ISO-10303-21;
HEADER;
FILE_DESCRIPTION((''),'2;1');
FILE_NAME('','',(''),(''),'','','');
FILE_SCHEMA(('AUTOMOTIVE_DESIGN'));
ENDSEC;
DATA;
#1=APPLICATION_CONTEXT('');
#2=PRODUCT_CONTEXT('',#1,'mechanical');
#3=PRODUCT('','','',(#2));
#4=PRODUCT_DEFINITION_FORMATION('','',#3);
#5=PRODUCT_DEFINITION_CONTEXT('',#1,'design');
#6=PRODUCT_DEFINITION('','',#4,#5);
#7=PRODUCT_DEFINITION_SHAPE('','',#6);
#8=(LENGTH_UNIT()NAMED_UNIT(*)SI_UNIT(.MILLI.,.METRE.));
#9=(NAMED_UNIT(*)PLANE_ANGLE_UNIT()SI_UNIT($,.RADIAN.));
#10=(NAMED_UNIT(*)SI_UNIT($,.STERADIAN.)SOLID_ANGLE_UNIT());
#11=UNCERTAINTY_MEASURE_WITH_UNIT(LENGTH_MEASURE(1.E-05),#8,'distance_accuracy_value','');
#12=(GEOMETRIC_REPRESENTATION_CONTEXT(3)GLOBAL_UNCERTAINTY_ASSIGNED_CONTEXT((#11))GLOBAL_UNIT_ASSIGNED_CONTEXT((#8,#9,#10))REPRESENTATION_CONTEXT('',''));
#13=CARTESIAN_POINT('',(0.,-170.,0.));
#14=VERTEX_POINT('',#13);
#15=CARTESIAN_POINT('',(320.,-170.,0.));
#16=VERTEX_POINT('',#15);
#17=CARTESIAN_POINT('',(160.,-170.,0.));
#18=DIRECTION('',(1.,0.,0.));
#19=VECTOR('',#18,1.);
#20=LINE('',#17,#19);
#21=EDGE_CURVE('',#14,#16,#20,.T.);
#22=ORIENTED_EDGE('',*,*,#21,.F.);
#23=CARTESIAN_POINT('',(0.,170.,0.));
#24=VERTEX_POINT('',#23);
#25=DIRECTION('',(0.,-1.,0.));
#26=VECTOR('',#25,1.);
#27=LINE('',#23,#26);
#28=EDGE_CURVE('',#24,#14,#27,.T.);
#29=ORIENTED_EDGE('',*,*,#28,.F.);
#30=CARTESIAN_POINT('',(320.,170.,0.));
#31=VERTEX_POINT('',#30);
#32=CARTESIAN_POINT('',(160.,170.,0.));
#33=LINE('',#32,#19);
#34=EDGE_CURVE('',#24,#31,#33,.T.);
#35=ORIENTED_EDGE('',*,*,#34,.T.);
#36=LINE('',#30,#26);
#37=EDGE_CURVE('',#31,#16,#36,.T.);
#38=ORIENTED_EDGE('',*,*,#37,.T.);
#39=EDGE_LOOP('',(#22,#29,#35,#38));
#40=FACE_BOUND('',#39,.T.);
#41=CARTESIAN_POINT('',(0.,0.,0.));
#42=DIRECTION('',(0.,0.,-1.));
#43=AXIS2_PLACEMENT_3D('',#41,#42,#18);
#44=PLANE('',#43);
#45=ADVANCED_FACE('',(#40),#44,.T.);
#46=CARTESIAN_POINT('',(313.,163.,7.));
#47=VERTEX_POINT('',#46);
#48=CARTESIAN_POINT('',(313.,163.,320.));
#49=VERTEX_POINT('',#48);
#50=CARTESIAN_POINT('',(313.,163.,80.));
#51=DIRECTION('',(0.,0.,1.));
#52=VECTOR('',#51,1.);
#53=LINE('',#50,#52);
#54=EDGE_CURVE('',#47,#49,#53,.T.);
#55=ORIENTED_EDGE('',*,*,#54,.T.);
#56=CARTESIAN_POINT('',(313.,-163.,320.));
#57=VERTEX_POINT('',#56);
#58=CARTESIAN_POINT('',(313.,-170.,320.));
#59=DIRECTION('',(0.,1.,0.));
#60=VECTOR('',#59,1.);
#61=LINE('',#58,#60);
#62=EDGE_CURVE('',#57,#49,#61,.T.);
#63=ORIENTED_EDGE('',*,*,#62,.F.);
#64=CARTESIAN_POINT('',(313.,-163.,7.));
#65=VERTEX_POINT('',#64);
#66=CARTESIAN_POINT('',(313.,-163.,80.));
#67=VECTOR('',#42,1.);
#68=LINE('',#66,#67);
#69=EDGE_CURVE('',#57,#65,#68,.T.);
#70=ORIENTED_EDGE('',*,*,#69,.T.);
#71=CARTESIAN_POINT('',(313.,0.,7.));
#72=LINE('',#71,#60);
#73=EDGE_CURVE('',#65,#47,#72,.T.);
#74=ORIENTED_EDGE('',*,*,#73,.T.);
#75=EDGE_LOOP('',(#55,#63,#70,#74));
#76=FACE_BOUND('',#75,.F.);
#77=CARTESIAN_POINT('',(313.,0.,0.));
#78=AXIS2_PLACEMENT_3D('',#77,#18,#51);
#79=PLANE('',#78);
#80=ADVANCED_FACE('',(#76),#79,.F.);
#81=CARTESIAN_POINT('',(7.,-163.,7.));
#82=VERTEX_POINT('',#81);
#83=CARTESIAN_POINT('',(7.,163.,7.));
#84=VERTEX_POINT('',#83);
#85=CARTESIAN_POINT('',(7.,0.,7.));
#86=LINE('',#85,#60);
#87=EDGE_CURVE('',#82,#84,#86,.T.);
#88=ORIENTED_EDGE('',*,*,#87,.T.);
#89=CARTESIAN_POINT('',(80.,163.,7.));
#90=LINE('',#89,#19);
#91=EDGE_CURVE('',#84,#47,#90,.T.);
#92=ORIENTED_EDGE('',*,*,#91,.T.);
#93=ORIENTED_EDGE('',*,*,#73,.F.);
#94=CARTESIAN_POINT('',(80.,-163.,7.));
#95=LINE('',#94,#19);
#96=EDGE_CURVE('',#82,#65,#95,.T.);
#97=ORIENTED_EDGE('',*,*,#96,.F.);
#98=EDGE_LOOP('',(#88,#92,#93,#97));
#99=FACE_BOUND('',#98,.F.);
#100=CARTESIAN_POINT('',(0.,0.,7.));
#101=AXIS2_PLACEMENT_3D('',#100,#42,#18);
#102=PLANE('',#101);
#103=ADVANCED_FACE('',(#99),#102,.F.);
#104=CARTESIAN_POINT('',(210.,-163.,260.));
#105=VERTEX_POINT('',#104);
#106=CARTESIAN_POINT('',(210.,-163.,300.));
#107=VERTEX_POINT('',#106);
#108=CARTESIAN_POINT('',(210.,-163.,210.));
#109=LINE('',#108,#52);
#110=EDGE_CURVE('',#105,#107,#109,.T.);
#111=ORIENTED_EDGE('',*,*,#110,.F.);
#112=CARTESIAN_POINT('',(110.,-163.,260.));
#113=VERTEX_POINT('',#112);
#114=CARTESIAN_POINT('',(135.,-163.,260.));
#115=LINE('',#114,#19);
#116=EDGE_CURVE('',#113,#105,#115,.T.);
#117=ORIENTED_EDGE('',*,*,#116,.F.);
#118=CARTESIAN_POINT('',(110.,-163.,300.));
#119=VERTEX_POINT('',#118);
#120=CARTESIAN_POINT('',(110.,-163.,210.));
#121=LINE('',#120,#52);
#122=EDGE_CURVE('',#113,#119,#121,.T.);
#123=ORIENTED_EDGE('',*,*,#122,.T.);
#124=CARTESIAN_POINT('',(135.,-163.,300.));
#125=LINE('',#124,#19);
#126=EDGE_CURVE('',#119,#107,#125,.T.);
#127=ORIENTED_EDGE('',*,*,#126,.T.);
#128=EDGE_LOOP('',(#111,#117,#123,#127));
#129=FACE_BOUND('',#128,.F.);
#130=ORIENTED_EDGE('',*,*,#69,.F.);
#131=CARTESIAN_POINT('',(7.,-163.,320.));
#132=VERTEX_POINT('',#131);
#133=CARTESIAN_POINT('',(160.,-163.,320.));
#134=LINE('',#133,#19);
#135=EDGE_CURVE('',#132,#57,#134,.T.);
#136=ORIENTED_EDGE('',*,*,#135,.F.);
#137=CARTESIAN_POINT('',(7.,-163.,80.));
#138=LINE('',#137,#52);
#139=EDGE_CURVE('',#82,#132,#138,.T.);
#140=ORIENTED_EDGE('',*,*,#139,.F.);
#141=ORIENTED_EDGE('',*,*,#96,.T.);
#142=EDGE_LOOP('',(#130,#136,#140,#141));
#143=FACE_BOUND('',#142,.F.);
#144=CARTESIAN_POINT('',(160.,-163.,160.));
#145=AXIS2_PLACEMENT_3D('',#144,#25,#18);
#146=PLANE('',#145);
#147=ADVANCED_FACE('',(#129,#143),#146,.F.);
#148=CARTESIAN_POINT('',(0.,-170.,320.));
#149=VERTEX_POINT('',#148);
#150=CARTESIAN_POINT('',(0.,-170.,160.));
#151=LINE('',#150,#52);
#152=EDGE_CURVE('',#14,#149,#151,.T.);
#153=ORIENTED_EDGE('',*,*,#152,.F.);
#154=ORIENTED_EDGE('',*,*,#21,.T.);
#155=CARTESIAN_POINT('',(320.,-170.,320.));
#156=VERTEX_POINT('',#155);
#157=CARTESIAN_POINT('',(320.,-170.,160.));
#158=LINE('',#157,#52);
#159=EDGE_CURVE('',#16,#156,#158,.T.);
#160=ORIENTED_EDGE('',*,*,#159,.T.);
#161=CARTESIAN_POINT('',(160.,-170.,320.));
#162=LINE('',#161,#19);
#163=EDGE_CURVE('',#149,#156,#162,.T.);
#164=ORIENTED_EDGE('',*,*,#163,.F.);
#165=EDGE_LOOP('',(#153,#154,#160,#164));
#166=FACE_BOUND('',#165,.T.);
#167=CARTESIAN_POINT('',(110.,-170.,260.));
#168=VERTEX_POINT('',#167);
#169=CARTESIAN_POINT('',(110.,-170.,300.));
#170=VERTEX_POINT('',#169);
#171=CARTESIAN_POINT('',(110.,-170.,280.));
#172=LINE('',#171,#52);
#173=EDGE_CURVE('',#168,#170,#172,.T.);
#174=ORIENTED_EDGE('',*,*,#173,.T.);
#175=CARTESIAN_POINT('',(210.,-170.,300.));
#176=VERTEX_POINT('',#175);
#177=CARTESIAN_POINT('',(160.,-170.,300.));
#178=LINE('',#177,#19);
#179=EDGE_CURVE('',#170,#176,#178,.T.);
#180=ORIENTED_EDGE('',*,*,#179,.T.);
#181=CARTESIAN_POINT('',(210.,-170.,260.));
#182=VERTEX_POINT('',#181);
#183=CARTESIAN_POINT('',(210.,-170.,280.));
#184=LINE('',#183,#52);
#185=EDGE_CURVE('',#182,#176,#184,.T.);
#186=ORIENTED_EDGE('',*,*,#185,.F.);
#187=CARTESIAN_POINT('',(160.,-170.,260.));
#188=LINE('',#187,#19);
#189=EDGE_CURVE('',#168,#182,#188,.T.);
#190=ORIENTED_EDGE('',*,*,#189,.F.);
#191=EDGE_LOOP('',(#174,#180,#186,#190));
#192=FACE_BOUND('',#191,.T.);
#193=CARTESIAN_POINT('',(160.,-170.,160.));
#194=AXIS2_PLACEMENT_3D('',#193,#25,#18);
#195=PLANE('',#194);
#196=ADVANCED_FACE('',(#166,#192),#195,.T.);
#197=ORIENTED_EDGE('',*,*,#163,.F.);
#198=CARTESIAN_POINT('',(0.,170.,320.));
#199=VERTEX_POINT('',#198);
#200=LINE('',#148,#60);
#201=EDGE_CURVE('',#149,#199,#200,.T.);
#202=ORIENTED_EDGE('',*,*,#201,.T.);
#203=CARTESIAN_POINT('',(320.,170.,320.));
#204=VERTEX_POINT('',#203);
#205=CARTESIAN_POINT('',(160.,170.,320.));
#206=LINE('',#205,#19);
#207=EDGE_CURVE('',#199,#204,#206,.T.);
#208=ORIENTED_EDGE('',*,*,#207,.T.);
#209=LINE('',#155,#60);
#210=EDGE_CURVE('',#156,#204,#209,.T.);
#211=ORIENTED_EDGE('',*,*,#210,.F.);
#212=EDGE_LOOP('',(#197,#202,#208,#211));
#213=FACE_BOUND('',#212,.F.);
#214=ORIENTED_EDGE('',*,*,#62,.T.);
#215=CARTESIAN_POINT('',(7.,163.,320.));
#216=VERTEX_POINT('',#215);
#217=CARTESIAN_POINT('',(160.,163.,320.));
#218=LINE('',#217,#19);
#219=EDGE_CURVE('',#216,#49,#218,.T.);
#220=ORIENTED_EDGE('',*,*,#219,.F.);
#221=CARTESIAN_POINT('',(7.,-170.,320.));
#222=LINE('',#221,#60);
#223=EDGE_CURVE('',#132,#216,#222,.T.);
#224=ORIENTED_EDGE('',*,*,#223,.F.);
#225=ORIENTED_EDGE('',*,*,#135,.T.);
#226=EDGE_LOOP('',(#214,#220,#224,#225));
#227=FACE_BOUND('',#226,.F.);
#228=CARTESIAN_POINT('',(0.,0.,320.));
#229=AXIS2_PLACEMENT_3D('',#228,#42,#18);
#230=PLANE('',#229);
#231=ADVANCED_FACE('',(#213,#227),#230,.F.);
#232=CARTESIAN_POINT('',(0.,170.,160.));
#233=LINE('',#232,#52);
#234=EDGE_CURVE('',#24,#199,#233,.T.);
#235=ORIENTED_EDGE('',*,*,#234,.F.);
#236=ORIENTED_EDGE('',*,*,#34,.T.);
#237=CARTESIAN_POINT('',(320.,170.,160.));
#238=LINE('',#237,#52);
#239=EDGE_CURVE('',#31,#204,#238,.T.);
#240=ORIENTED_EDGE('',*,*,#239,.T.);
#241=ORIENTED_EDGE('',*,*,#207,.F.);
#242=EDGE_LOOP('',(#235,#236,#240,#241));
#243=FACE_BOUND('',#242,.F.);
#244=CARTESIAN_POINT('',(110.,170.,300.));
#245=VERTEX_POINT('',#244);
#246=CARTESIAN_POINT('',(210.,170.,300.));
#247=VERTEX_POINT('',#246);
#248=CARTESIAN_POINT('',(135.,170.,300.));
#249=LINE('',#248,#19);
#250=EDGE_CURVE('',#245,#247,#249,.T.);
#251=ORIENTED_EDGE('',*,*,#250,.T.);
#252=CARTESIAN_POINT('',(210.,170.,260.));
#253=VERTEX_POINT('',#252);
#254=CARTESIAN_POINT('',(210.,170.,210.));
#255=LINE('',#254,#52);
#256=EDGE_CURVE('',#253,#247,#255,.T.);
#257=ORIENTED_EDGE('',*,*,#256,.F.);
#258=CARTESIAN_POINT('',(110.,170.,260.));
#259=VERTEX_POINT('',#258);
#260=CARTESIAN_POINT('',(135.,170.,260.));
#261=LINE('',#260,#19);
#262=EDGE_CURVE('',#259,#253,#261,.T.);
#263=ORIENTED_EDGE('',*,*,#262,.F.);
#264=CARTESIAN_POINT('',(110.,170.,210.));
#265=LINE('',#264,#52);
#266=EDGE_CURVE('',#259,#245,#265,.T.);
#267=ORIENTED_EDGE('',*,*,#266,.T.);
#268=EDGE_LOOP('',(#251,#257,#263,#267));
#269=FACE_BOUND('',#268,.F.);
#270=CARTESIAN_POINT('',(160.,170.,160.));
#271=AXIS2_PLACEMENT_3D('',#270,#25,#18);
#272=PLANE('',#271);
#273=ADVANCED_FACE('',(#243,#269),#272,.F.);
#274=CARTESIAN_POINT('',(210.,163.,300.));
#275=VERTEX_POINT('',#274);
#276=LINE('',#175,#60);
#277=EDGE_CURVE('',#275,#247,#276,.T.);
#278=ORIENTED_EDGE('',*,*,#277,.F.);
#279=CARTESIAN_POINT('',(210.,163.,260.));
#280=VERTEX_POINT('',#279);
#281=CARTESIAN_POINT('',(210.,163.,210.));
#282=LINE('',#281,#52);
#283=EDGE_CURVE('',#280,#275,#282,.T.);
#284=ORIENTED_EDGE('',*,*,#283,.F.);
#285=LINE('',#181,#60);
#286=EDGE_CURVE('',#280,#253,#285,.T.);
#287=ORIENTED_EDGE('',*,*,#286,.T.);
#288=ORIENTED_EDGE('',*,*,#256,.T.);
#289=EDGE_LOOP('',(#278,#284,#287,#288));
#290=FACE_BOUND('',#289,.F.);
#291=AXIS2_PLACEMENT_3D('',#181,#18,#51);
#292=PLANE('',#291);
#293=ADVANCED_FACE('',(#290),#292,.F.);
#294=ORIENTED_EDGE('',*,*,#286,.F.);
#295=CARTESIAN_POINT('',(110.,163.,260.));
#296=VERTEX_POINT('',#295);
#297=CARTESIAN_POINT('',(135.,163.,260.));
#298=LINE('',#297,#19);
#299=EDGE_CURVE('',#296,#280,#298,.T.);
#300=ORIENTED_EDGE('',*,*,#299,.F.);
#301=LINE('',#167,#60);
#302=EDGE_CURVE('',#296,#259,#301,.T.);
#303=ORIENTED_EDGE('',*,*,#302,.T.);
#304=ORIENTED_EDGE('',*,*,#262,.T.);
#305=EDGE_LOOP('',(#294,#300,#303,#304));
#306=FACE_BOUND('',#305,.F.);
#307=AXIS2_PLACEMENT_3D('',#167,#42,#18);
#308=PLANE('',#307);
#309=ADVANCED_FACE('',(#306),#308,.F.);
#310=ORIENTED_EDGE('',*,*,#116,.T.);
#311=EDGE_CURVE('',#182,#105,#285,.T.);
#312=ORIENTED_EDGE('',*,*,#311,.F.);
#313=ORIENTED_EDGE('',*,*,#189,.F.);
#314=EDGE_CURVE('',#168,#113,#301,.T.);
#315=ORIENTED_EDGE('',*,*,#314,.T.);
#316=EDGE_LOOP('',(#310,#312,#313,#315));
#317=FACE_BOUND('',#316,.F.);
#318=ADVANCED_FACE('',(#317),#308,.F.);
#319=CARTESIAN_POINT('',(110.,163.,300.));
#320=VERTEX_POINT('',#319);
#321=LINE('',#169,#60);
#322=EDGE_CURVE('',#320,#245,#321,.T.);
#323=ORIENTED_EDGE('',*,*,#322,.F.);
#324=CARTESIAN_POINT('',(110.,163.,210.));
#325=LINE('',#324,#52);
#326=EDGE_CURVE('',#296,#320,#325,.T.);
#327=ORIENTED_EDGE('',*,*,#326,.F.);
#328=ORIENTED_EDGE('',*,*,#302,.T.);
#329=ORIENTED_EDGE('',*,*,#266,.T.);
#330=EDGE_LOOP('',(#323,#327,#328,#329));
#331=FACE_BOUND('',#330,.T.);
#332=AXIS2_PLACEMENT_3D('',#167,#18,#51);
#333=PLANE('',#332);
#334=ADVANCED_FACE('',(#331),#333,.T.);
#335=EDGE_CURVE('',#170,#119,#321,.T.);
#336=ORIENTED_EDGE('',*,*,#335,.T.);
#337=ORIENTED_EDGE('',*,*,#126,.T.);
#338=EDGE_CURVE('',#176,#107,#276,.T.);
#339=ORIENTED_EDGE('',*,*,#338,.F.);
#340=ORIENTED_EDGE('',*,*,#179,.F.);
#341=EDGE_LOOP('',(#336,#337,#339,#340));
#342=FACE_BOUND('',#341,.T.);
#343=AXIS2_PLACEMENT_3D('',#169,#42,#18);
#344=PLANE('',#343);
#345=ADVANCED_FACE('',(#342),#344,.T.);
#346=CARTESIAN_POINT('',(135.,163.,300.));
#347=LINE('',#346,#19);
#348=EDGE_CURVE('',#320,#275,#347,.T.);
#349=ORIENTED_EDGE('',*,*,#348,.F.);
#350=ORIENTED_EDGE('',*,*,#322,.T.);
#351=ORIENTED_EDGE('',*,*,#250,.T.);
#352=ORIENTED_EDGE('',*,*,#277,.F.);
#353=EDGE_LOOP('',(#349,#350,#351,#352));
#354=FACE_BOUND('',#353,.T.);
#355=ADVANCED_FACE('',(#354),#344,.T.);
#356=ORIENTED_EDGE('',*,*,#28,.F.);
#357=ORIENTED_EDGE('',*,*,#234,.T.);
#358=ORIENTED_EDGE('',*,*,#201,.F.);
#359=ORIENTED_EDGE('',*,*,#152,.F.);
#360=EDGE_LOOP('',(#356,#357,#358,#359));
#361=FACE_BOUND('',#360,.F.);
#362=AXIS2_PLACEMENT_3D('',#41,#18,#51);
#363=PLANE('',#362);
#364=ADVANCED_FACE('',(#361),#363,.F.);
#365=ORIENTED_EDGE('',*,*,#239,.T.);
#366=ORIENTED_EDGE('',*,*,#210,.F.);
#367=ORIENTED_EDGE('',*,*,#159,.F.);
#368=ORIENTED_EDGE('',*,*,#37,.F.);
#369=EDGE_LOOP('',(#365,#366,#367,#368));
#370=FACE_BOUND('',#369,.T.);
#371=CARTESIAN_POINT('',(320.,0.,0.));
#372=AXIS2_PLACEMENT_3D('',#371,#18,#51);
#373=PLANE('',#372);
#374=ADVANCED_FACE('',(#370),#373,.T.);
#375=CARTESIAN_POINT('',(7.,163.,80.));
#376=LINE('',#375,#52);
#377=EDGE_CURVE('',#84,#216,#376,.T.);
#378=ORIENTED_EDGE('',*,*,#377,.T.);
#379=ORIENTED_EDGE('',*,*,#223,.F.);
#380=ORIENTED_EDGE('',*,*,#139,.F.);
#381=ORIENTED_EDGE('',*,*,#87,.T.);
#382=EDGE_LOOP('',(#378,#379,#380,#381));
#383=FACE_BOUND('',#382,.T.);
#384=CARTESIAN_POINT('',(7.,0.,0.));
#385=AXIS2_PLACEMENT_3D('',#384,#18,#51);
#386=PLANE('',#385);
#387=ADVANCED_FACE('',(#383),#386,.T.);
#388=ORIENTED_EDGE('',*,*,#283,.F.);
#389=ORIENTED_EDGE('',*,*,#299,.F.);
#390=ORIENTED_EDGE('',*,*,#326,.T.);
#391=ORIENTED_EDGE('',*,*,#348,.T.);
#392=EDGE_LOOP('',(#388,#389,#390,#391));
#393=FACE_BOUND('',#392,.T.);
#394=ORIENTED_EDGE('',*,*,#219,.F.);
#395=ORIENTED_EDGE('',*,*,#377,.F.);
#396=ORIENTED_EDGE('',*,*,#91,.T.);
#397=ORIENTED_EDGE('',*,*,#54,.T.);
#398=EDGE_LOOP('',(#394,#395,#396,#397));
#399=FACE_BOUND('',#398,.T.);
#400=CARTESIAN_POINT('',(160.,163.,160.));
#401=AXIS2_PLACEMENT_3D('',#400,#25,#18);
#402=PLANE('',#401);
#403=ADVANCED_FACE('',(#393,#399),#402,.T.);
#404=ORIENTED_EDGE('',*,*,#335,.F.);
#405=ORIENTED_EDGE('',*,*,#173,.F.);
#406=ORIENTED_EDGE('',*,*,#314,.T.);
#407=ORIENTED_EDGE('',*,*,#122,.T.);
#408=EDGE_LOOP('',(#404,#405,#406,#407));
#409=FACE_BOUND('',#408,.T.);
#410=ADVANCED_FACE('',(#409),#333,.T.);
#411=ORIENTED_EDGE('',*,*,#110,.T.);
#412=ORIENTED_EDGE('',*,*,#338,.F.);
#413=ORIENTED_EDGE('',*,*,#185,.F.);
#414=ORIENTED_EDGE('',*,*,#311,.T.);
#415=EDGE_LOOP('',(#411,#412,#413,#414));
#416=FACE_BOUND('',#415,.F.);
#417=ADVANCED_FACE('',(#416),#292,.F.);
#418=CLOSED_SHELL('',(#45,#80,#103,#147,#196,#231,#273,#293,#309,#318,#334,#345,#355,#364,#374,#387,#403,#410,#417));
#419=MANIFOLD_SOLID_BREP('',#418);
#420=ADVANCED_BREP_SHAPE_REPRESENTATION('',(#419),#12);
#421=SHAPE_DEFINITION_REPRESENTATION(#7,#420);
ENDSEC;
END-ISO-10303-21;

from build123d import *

# Parameters (mm, degrees)
F0_W     = 320
F0_H     = 320
F1_DEPTH = 170
F2_T     = -7
F3_W     = 100
F3_H     = 40
F4_DEPTH = 340.001


with BuildPart() as f1:
    # F0 (on Front) → F1 (new body, symmetric)
    with BuildSketch(Plane.XZ):
        with Locations((160, 160)):
            Rectangle(F0_W, F0_H)
    extrude(amount=F1_DEPTH, both=True)

    # F2
    f2_openings = [f1.faces().sort_by_distance(p)[0] for p in [
        (160, 0, 320),
    ]]
    offset(amount=F2_T, openings=f2_openings)

    # F3 (on face) → F4 (cut, through all)
    with BuildSketch(Plane.XZ.offset(170)):
        with Locations((160, 280)):
            Rectangle(F3_W, F3_H)
    extrude(amount=-F4_DEPTH, mode=Mode.SUBTRACT)


solid = f1.part
